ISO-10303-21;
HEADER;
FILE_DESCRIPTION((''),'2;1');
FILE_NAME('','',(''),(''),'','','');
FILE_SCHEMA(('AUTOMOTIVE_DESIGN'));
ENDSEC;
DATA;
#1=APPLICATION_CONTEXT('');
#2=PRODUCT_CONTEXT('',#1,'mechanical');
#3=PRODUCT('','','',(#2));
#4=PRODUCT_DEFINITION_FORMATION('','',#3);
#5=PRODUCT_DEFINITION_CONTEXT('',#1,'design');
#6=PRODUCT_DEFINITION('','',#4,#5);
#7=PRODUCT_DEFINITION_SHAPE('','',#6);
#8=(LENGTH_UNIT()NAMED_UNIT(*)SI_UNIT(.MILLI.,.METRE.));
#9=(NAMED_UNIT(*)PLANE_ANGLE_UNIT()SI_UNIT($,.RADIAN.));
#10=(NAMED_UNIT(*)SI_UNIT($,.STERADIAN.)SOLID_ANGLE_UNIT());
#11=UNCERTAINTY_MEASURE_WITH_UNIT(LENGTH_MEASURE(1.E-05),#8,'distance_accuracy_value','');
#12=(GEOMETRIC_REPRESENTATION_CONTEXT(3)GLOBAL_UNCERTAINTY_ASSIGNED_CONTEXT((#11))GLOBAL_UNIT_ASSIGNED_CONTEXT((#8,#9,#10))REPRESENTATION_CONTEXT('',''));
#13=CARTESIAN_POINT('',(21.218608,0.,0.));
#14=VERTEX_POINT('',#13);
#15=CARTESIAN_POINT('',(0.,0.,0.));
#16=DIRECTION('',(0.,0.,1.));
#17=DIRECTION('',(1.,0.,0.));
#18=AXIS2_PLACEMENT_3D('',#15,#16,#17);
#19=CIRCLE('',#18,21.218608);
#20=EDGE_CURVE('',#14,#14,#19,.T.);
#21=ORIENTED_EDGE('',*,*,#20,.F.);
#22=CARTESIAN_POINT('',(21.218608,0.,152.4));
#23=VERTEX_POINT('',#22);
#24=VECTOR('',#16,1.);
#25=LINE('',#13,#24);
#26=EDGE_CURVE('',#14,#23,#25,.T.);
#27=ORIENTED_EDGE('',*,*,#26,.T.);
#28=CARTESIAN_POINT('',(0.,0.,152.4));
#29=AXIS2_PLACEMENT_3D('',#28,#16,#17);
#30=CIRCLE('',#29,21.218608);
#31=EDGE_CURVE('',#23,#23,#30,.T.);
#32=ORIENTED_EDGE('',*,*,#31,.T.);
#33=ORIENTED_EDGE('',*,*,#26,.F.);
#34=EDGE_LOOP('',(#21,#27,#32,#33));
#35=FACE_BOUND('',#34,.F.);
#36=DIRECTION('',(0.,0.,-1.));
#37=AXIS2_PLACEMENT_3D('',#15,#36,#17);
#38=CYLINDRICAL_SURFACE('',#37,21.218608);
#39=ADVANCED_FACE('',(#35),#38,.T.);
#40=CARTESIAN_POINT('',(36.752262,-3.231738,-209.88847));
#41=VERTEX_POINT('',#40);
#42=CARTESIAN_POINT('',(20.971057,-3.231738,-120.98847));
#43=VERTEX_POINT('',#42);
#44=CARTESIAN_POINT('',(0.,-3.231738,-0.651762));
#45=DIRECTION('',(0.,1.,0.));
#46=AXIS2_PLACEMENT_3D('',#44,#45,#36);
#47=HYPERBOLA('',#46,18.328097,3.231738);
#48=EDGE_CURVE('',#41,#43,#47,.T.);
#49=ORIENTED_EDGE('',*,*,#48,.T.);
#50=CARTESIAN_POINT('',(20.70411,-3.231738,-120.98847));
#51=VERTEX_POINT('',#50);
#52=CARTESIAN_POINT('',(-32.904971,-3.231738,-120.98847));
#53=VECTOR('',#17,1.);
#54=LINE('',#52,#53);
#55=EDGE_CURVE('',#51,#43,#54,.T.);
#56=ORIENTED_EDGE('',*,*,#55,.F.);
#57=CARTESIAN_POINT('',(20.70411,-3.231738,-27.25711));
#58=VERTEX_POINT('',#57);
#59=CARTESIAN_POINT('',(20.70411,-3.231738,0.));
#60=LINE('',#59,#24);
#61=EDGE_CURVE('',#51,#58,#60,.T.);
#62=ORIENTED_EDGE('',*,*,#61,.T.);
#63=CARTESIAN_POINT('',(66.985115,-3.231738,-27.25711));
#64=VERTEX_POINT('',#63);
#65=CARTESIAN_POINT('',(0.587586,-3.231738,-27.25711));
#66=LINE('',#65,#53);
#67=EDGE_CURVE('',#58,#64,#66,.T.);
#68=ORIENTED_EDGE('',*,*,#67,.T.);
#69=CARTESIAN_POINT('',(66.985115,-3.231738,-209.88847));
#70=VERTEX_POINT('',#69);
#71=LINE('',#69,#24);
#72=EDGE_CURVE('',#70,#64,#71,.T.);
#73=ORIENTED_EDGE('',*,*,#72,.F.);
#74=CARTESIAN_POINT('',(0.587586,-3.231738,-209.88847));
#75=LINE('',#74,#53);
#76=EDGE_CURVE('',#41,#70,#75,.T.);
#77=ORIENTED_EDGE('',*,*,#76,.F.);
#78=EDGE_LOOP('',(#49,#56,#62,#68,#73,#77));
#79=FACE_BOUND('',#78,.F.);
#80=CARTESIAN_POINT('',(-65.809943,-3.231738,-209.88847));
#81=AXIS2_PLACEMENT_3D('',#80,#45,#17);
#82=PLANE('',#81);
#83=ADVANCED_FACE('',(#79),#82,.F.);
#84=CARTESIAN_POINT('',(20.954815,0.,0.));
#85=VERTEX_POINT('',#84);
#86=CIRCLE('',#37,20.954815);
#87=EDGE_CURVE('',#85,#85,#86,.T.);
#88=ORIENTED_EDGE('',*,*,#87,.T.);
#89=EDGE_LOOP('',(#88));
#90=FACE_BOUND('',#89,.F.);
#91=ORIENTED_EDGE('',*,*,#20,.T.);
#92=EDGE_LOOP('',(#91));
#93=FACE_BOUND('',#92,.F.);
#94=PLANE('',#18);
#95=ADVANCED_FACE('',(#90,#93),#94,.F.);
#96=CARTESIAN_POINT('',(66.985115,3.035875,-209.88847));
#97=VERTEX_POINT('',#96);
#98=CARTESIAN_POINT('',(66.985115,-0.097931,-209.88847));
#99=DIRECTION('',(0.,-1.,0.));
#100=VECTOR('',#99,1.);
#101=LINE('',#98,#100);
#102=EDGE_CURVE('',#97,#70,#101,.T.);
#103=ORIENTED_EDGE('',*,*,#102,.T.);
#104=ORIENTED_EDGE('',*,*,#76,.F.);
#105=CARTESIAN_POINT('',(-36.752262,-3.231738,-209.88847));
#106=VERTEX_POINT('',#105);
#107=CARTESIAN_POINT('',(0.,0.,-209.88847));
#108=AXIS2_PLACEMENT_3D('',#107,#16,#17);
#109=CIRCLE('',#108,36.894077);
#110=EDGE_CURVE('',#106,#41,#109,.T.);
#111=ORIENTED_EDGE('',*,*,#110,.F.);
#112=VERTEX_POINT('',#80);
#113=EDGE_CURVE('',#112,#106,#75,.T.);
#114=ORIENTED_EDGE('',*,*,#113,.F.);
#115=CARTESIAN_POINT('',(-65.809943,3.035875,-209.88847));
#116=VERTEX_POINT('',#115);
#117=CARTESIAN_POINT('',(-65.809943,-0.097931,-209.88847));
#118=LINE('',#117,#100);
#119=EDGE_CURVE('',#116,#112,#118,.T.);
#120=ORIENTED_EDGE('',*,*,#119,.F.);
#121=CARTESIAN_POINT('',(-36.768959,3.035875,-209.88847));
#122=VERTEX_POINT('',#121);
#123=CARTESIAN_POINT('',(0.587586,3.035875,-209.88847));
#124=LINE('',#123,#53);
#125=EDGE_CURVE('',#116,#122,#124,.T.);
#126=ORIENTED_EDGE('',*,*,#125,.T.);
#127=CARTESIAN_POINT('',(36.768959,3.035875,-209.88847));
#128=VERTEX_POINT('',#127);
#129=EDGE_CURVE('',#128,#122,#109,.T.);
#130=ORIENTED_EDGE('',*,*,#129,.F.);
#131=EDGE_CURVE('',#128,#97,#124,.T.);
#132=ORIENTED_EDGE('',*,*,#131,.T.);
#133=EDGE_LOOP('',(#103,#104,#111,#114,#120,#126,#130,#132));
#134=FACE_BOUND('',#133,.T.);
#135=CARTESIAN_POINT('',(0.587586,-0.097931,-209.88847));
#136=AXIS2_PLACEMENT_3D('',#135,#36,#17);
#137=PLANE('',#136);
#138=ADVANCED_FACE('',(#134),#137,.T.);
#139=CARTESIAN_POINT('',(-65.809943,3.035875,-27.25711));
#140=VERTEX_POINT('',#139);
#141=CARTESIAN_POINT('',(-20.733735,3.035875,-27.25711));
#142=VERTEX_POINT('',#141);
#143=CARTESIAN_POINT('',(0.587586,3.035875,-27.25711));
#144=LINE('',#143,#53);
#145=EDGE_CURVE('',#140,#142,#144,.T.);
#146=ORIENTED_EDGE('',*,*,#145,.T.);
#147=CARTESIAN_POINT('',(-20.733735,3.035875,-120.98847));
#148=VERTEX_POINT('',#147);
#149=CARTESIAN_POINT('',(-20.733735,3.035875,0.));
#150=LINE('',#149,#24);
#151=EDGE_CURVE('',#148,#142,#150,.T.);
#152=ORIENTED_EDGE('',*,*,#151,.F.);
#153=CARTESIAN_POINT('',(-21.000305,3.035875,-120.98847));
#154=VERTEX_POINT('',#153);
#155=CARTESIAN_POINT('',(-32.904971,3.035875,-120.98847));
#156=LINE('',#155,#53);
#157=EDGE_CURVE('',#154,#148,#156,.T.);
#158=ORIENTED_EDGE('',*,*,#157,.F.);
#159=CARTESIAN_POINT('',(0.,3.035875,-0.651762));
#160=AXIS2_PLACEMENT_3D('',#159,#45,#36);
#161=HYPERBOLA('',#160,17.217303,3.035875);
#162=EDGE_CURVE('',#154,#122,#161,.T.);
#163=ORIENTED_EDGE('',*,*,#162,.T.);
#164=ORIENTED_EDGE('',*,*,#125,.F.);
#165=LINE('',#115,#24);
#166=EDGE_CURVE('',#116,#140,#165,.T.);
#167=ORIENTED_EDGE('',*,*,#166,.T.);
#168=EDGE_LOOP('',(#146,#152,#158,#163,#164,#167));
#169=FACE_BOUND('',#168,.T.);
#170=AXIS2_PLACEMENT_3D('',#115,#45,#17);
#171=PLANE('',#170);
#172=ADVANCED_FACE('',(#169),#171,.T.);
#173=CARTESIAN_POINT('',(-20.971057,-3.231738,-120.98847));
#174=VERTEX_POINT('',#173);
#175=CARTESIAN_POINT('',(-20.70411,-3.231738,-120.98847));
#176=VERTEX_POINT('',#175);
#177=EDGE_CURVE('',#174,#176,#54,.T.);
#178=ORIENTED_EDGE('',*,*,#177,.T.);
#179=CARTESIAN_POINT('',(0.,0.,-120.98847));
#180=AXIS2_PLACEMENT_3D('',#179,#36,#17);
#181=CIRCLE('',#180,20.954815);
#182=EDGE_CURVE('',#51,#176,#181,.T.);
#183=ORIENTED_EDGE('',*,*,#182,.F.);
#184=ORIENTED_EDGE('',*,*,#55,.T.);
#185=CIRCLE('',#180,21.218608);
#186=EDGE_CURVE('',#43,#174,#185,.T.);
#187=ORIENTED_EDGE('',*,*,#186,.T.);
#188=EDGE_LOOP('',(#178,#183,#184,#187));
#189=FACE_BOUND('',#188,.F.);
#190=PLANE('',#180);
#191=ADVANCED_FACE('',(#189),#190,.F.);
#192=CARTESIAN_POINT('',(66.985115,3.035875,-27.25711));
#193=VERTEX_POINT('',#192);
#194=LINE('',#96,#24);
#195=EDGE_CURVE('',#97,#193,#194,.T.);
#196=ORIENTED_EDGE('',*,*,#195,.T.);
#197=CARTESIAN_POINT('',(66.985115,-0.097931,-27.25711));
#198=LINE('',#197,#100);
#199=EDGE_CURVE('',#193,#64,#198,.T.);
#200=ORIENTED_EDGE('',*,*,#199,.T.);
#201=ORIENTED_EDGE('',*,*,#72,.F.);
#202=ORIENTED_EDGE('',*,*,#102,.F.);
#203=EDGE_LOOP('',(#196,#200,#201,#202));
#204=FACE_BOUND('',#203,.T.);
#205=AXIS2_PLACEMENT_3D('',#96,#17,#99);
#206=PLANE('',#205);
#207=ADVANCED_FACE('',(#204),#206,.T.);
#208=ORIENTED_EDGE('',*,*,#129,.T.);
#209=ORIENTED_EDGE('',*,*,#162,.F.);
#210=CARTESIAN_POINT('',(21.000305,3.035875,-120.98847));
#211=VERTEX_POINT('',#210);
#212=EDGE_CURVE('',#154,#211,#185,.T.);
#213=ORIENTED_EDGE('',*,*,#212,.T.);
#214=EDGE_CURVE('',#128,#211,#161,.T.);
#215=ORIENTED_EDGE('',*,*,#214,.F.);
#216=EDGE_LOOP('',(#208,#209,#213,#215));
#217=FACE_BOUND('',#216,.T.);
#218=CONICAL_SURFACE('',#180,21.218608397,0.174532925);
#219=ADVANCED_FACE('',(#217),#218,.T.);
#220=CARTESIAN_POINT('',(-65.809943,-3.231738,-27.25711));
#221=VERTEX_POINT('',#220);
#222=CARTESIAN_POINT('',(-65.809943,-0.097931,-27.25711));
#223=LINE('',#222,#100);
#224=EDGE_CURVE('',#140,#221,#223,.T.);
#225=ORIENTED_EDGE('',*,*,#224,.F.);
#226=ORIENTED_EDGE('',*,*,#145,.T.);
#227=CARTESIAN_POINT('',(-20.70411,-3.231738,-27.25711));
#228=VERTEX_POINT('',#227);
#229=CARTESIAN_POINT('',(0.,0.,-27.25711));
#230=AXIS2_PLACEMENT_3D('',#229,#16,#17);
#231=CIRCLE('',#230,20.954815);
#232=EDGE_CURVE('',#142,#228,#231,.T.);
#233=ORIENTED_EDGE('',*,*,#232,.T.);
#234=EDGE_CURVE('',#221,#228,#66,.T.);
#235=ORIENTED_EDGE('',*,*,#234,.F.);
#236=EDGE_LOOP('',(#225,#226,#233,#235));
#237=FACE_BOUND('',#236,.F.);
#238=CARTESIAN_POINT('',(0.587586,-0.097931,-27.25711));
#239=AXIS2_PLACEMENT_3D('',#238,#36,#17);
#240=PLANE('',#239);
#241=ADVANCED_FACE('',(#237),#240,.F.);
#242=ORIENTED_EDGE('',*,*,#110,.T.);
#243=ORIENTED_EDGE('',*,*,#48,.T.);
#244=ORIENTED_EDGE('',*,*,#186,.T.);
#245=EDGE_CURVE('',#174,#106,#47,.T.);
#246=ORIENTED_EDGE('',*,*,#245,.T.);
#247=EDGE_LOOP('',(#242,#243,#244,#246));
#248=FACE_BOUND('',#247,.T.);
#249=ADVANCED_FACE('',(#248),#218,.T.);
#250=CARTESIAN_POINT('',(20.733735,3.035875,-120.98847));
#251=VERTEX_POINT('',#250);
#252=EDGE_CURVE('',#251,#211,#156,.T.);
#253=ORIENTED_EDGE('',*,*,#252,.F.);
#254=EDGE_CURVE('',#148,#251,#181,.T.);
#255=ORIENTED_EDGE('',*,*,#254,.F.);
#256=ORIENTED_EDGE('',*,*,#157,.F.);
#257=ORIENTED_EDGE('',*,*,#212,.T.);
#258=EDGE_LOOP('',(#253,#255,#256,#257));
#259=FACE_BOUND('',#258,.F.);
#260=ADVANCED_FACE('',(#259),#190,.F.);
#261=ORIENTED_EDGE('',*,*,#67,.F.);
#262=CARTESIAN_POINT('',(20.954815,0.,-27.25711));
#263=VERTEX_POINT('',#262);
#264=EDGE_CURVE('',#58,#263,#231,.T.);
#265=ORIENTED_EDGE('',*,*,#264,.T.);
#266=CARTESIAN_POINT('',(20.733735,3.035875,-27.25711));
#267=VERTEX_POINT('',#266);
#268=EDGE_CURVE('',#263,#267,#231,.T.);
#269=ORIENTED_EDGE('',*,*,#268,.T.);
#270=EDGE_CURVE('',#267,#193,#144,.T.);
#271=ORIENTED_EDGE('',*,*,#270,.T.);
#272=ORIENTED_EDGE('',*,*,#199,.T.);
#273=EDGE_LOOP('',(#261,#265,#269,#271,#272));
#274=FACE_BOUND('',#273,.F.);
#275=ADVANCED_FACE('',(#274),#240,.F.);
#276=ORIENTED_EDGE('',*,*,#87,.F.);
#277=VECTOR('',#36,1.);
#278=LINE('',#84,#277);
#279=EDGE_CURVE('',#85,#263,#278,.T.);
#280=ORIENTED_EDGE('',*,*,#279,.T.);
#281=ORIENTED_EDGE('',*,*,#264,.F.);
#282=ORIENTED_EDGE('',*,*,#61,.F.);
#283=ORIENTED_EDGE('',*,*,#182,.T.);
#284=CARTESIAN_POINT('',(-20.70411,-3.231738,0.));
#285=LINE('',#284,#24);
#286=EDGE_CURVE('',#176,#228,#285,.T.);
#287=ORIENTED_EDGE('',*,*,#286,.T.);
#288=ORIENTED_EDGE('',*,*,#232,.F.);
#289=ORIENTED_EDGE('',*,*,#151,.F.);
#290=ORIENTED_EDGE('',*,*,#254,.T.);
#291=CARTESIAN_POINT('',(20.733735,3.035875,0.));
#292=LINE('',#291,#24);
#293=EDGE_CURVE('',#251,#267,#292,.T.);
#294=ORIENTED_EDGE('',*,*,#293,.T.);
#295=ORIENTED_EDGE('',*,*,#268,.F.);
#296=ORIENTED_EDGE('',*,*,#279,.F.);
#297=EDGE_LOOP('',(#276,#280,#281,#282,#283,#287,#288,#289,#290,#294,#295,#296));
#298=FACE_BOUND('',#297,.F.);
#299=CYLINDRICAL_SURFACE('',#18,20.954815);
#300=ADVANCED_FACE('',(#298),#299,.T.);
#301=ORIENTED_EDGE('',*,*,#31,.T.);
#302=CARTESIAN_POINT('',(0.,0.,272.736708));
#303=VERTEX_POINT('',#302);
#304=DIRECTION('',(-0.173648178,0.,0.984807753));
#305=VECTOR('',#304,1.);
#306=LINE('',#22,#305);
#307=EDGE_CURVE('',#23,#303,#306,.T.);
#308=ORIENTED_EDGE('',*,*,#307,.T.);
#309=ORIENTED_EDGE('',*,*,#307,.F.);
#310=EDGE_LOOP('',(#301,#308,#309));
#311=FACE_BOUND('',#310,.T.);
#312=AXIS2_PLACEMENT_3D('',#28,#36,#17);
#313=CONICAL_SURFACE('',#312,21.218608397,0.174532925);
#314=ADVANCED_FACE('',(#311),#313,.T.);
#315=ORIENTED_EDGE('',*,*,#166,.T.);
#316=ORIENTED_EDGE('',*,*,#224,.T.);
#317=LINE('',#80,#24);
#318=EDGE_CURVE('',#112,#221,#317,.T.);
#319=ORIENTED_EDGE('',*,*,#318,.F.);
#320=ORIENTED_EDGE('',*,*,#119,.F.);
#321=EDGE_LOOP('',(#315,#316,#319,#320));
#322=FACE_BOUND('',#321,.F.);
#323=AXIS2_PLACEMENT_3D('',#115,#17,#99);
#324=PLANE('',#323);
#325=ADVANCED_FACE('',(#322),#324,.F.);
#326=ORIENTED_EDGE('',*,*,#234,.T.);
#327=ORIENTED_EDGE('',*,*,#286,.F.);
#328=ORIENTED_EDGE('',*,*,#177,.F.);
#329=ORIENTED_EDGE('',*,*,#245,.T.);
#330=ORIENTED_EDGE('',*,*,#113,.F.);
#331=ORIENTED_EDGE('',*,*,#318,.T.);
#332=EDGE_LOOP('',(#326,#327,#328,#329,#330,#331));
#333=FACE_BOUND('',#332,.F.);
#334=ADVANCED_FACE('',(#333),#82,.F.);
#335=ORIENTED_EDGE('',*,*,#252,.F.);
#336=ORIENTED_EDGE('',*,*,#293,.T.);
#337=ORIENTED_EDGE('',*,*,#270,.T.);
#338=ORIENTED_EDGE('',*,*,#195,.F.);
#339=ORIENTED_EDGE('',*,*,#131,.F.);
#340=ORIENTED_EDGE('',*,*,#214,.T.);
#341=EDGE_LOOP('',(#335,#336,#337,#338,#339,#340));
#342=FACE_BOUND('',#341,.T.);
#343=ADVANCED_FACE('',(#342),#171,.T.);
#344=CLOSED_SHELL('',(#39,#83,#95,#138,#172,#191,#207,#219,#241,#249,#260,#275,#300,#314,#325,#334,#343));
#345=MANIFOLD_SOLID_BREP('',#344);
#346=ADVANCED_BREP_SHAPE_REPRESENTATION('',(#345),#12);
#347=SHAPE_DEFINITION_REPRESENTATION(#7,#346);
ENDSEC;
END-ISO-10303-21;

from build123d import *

# Parameters (mm, degrees)
F0_R      = 21.2186083974
F1_DEPTH  = 152.4
F4_R      = 21.2186083974
F5_DEPTH  = 2540
F5_TAPER  = 10
F6_R      = 20.954815433
F7_DEPTH  = 120.98847
F9_R      = 21.2186083974
F10_DEPTH = 88.9
F10_TAPER = -10
F11_W     = 132.7950581908
F11_H     = 6.2676130328
F12_DEPTH = 182.63136


with BuildPart() as f1:
    # F0 (on Top) → F1 (new body)
    with BuildSketch(Plane.XY):
        Circle(F0_R)
    extrude(amount=F1_DEPTH)

    # F4 (on face) → F5 (join)
    with BuildSketch(Plane.XY.offset(152.4)):
        Circle(F4_R)
    extrude(amount=F5_DEPTH, taper=F5_TAPER)

    # F6 (on face) → F7 (join)
    with BuildSketch(Plane(origin=(0, 0, 0), x_dir=(1, 0, 0), z_dir=(0, 0, -1))):
        Circle(F6_R)
    extrude(amount=F7_DEPTH)

    # F9 (on face) → F10 (join)
    with BuildSketch(Plane(origin=(0, 0, -120.98847), x_dir=(1, 0, 0), z_dir=(0, 0, -1))):
        Circle(F9_R)
    extrude(amount=F10_DEPTH, taper=F10_TAPER)

    # F11 (on face) → F12 (join)
    with BuildSketch(Plane(origin=(0, 0, -209.88847), x_dir=(1, 0, 0), z_dir=(0, 0, -1))):
        with Locations((0.5875863135, 0.0979314791)):
            Rectangle(F11_W, F11_H)
    extrude(amount=-F12_DEPTH)


solid = f1.part
